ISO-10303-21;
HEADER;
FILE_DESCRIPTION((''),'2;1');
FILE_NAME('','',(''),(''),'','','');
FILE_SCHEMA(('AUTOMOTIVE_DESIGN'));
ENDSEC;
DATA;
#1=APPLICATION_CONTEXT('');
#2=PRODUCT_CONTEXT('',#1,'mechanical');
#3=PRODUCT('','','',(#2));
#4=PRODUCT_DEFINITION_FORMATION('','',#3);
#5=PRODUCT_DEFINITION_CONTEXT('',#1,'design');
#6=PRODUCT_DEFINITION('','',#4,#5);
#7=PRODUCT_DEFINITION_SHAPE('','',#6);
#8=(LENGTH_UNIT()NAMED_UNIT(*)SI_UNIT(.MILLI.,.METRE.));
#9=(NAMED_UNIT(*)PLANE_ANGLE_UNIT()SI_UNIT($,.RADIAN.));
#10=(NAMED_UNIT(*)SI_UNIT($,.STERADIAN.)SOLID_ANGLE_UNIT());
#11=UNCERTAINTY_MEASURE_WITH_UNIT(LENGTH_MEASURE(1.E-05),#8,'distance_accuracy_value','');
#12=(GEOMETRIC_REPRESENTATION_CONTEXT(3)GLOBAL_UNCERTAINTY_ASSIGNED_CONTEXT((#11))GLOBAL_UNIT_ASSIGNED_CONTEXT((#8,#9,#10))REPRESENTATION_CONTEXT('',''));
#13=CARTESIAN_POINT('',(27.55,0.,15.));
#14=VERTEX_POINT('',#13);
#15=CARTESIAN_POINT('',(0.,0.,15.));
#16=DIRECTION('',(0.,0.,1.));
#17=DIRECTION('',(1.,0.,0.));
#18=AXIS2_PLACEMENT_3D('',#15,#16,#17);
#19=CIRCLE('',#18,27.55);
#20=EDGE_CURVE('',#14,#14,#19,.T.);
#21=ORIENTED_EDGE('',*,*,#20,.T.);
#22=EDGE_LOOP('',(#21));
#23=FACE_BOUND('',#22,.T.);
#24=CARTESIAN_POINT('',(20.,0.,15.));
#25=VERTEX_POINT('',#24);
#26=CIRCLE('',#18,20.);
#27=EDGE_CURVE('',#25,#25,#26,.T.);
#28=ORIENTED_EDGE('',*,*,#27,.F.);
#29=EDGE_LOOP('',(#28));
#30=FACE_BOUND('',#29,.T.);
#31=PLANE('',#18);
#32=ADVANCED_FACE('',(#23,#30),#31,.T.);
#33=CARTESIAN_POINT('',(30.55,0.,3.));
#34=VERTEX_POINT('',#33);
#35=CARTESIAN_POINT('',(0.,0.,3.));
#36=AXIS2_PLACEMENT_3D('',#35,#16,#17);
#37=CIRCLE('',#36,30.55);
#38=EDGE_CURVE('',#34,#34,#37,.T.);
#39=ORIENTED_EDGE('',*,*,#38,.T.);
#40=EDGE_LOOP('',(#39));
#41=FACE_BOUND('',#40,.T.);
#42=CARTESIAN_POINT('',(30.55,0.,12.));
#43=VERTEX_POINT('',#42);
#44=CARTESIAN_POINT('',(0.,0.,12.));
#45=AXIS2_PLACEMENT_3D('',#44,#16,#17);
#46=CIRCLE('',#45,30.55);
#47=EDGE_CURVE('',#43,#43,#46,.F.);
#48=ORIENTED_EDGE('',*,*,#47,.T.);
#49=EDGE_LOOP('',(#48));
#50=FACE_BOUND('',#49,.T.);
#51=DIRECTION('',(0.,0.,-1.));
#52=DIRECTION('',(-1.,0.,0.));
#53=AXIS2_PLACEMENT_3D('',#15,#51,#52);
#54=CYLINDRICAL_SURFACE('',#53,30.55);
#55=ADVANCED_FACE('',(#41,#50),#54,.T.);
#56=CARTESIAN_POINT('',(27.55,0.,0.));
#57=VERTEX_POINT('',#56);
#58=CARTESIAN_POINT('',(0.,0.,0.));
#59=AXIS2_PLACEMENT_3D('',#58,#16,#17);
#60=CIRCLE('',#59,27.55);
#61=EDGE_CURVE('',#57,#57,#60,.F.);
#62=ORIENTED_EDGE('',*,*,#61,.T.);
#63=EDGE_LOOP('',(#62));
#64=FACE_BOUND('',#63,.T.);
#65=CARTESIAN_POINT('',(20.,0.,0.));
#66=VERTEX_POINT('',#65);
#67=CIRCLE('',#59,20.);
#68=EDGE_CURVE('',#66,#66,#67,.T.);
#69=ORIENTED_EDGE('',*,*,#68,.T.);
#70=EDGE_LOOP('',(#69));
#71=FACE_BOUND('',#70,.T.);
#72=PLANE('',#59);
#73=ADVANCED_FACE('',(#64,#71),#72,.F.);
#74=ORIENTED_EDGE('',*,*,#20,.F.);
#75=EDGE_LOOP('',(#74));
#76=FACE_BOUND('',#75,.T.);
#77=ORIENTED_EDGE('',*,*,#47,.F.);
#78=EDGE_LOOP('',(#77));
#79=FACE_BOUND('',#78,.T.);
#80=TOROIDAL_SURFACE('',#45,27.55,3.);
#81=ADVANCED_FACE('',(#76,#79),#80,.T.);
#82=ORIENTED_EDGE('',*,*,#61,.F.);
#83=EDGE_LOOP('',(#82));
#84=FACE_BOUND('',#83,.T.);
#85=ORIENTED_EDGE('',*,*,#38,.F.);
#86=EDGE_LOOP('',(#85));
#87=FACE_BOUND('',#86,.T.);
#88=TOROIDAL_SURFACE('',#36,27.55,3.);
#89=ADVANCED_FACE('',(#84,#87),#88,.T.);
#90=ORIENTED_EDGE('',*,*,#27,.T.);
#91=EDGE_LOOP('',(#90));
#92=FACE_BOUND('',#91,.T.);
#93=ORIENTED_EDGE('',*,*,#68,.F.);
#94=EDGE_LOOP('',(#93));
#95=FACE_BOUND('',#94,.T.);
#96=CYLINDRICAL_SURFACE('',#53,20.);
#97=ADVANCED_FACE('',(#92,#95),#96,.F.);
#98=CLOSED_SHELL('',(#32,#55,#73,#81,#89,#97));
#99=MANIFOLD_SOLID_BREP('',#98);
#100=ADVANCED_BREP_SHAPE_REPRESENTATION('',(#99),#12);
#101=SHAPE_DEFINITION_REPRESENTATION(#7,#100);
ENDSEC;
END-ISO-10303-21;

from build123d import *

# Parameters (mm, degrees)
ESQUISSE1_R        = 30.55
ESQUISSE1_R_2      = 20
BOSS_EXTRU_1_DEPTH = 15
CONG_1_R           = 3


with BuildPart() as part:
    # Esquisse1 → Boss.-Extru.1 (new body)
    with BuildSketch(Plane.XY):
        Circle(ESQUISSE1_R)
        Circle(ESQUISSE1_R_2, mode=Mode.SUBTRACT)
    extrude(amount=BOSS_EXTRU_1_DEPTH)

    # Congé1
    cong_1_edges = [part.edges().sort_by_distance(p)[0] for p in [
        (-30.55, 0, 0),
        (-30.55, 0, 15),
    ]]
    fillet(cong_1_edges, radius=CONG_1_R)


solid = part.part
